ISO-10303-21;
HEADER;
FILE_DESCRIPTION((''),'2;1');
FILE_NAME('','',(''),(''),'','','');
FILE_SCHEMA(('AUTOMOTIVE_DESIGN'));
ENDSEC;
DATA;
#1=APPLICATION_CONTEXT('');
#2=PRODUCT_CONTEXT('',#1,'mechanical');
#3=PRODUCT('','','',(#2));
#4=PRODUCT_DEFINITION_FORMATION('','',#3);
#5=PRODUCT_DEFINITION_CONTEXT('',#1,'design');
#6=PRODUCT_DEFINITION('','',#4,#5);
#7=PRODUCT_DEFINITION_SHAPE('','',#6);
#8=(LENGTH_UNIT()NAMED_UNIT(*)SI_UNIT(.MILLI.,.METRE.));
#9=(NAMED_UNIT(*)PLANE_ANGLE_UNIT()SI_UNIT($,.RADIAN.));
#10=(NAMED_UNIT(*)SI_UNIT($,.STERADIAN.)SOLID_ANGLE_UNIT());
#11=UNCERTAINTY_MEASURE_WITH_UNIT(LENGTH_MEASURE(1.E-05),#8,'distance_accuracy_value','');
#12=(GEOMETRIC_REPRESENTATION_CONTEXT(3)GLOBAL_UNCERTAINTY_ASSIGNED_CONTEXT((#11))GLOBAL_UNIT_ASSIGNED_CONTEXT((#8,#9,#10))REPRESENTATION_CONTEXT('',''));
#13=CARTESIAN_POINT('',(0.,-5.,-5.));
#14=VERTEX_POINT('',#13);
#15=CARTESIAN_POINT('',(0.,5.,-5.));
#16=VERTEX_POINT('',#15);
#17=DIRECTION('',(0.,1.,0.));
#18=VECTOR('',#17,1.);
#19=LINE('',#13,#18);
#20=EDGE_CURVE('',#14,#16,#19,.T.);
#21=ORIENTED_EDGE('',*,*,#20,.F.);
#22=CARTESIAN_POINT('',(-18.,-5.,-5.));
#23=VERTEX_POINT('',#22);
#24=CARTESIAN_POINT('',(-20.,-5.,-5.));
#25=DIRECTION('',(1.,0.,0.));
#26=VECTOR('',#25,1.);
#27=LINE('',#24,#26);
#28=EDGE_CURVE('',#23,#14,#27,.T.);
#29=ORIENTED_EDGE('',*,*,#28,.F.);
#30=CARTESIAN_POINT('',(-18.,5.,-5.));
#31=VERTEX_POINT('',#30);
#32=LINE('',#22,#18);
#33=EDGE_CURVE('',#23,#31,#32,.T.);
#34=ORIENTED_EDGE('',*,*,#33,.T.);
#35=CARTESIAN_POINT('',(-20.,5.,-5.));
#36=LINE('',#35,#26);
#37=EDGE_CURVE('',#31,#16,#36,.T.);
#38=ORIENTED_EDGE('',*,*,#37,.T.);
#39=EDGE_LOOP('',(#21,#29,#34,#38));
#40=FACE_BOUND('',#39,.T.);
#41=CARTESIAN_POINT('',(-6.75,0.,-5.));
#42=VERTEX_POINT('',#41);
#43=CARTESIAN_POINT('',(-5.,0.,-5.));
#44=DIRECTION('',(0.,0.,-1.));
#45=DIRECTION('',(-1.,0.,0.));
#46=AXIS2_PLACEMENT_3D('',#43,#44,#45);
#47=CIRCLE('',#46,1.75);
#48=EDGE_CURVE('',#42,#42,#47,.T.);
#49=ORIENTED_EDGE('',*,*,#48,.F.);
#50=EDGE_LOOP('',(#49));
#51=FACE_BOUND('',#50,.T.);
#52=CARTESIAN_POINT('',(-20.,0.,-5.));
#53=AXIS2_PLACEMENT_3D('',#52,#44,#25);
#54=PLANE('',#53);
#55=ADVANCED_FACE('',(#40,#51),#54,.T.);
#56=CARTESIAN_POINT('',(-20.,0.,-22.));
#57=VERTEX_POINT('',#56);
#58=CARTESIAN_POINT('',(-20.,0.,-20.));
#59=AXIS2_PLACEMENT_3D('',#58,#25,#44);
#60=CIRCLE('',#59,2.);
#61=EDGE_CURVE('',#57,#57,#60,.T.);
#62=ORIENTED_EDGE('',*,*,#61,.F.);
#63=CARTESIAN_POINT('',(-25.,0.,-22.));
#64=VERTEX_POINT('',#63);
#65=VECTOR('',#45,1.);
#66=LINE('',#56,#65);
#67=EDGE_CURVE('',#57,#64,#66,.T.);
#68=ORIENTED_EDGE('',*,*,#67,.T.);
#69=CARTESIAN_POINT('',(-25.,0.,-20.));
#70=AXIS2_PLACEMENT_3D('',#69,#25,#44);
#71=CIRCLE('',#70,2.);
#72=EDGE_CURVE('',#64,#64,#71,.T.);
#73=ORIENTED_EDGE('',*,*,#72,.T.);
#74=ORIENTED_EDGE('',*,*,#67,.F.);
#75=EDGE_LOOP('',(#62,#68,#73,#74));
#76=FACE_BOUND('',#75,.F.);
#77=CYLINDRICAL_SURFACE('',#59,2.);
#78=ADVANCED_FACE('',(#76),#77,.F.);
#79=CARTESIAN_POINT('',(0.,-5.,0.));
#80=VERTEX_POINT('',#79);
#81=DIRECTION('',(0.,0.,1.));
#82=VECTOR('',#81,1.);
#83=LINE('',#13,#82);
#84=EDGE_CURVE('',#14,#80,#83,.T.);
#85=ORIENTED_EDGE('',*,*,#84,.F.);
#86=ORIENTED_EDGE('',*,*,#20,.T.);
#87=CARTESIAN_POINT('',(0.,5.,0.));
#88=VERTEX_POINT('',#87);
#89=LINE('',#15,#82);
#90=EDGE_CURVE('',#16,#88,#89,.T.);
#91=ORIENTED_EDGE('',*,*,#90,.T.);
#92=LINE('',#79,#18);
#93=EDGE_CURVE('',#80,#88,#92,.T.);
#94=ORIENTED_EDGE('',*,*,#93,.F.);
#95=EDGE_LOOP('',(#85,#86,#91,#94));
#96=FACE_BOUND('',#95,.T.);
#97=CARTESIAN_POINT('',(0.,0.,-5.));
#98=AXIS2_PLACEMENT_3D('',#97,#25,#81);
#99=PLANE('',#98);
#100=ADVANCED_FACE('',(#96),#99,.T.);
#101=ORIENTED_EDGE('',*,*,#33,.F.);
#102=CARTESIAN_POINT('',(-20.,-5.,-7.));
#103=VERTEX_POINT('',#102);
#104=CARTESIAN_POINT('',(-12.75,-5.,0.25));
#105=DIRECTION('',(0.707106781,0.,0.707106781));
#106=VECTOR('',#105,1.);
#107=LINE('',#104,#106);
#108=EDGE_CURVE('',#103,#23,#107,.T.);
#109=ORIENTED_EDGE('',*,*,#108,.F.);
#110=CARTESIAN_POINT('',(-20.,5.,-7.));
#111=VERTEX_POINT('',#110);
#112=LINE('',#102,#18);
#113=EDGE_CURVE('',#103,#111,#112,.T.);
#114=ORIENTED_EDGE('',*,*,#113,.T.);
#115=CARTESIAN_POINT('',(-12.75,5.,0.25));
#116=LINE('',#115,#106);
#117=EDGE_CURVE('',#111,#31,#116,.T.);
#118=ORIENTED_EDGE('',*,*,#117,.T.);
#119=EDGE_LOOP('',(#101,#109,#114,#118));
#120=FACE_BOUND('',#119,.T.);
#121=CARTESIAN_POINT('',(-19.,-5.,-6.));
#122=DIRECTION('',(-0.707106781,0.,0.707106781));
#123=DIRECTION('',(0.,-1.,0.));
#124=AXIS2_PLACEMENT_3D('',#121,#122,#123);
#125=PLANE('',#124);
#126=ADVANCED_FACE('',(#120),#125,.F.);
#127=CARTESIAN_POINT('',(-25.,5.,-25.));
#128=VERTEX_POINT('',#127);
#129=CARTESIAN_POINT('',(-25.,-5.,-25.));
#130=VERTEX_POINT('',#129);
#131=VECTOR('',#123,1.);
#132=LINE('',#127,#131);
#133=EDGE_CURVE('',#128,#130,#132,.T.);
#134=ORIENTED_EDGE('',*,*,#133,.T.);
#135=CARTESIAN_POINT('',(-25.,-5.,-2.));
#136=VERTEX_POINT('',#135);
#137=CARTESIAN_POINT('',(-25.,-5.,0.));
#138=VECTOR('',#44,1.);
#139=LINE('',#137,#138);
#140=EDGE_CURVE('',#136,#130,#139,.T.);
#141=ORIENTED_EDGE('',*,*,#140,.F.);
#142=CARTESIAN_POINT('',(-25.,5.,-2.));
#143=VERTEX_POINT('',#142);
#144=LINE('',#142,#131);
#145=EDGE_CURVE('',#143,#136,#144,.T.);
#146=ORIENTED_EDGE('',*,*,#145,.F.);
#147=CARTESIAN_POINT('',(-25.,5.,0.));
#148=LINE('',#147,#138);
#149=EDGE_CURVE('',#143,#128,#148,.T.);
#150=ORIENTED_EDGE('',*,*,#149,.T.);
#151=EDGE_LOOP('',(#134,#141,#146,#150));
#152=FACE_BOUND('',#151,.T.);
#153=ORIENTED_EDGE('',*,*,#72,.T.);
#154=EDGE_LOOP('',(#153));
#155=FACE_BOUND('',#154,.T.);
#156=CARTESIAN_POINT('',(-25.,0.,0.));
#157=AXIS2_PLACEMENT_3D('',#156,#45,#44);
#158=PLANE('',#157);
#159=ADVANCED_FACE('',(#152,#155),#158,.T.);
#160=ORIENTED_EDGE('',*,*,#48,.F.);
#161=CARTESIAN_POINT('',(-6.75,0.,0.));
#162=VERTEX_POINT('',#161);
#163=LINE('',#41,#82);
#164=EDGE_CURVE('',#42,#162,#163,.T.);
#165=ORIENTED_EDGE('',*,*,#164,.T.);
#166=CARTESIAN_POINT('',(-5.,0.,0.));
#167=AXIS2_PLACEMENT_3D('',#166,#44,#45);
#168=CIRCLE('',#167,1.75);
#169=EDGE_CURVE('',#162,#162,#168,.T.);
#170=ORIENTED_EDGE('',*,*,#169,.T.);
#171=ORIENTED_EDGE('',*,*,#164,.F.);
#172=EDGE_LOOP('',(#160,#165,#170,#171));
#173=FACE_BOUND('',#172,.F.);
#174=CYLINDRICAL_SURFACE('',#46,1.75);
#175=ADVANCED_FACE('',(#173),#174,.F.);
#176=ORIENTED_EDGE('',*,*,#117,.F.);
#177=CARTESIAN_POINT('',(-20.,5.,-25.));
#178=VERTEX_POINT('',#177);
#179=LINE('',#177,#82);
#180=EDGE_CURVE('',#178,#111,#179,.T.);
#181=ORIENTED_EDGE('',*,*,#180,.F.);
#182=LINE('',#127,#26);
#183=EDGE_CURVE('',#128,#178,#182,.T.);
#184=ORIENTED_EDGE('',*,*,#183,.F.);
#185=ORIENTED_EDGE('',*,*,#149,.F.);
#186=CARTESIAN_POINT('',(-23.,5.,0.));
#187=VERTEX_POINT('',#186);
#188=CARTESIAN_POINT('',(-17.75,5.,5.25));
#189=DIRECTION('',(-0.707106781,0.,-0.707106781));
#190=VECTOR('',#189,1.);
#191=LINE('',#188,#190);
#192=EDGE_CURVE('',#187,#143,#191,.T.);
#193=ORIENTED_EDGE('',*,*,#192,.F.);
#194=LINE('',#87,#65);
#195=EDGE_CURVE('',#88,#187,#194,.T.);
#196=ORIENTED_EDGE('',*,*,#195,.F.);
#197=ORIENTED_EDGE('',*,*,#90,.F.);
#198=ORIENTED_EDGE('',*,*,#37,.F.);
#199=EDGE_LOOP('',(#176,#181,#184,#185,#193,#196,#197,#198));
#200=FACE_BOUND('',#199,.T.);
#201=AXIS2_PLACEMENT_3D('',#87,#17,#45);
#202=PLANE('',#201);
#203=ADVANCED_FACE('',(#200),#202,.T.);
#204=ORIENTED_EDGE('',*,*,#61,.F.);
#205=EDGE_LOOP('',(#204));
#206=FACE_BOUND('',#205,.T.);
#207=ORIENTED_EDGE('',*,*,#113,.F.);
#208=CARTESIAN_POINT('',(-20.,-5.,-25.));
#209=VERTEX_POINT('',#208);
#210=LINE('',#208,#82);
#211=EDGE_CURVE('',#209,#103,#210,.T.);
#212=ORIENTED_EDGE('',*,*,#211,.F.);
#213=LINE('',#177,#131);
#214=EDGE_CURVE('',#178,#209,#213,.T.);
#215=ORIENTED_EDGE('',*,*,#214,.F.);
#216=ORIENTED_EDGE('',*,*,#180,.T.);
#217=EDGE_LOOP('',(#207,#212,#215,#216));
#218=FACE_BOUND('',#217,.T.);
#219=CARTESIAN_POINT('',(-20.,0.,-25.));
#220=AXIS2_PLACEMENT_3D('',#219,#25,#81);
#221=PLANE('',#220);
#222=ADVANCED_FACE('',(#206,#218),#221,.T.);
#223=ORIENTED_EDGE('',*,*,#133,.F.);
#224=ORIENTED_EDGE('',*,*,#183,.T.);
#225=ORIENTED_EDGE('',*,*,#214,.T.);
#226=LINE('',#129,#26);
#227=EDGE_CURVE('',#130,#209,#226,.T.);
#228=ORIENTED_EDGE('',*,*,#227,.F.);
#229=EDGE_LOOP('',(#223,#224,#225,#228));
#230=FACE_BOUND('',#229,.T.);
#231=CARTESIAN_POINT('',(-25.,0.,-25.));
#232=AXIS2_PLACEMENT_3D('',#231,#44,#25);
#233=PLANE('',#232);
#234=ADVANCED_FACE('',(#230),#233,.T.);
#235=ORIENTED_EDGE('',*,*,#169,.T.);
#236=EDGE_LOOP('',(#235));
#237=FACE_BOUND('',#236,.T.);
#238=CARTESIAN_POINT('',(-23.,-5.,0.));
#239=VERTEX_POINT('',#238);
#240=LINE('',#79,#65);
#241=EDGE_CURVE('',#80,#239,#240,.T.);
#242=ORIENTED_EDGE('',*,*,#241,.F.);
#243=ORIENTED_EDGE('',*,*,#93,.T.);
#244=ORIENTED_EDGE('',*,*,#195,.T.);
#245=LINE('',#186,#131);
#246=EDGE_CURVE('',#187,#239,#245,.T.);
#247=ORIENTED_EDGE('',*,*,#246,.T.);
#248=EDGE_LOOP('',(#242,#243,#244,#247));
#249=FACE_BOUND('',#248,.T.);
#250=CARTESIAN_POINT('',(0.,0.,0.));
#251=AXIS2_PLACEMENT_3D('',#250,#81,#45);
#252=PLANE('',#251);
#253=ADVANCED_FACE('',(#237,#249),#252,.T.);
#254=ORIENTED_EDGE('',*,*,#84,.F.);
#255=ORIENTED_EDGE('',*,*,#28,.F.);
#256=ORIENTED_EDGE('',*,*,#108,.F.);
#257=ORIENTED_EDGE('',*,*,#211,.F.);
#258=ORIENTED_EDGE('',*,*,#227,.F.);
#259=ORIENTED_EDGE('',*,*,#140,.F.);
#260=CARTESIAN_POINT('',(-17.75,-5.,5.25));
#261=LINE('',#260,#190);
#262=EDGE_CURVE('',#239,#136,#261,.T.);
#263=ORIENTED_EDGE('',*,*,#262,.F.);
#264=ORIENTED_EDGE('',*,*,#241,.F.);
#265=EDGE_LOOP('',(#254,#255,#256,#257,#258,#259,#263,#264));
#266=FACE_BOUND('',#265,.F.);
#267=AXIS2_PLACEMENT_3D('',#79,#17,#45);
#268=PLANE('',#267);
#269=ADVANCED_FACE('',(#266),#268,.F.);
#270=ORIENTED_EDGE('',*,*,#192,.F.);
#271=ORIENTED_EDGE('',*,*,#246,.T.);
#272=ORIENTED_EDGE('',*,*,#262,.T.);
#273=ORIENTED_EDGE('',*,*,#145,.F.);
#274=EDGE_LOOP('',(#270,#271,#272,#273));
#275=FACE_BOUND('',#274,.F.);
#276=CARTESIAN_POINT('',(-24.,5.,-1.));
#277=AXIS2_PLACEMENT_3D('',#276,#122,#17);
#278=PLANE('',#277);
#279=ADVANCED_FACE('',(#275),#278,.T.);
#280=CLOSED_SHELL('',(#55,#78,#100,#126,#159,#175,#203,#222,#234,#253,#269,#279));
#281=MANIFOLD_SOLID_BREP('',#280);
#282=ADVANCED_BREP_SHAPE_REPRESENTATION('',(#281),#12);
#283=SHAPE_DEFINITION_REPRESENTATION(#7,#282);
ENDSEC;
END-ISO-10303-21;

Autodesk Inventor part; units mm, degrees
ref_plane "YZ Plane" through (0, 0, 0) normal (1, 0, 0) x (0, 1, 0)
ref_plane "XZ Plane" through (0, 0, 0) normal (0, 1, 0) x (-1, 0, 0)
ref_plane "XY Plane" through (0, 0, 0) normal (0, 0, 1) x (1, 0, 0)
sketch "Sketch1" plane through (0, 0, 0) normal (0, 1, 0) x (-1, 0, 0)
  line L0 (0, 0) -> (25, 0)
  line L1 (25, 0) -> (25, -25)
  line L2 (25, -25) -> (20, -25)
  line L3 (20, -25) -> (20, -5)
  line L4 (20, -5) -> (0, -5)
  line L5 (0, -5) -> (0, 0)
  dimension "d0" = 5
  dimension "d1" = 25
  dimension "d2" = 25
extrude "Extrusion1" add sketch "Sketch1" along normal mid plane 10
sketch "Sketch2" plane through (-20, -5, -25) normal (1, 0, 0) x (0, 0, -1)
  circle A0 centre (-5, 5) radius 2
  line L0 (-25, 0) -> (-25, 10) projected
  line L1 (-20, 10) -> (0, 10) projected
  line L2 (0, 0) -> (0, 10) projected
  point P0 (-25, 5)
  point P1 (-25, 5)
  dimension "d5" = 4
  dimension "d9" = 5
extrude "Extrusion2" cut sketch "Sketch2" against normal through all
sketch "Sketch3" plane through (0, 5, -5) normal (0, 0, -1) x (-1, 0, 0)
  circle A0 centre (5, -5) radius 1.75
  line L0 (0, 0) -> (0, -10) projected
  line L1 (0, 0) -> (20, 0) projected
  point P0 (0, -5)
  point P1 (0, -5)
  point P2 (0, -5)
  dimension "d8" = 3.5
  dimension "d11" = 5
extrude "Extrusion3" cut sketch "Sketch3" against normal blind 10
chamfer "Chamfer1" distance 2 angle 45 2 edges at (-25, 0, 0) (-20, 0, -5)
properties part number "L connection"
